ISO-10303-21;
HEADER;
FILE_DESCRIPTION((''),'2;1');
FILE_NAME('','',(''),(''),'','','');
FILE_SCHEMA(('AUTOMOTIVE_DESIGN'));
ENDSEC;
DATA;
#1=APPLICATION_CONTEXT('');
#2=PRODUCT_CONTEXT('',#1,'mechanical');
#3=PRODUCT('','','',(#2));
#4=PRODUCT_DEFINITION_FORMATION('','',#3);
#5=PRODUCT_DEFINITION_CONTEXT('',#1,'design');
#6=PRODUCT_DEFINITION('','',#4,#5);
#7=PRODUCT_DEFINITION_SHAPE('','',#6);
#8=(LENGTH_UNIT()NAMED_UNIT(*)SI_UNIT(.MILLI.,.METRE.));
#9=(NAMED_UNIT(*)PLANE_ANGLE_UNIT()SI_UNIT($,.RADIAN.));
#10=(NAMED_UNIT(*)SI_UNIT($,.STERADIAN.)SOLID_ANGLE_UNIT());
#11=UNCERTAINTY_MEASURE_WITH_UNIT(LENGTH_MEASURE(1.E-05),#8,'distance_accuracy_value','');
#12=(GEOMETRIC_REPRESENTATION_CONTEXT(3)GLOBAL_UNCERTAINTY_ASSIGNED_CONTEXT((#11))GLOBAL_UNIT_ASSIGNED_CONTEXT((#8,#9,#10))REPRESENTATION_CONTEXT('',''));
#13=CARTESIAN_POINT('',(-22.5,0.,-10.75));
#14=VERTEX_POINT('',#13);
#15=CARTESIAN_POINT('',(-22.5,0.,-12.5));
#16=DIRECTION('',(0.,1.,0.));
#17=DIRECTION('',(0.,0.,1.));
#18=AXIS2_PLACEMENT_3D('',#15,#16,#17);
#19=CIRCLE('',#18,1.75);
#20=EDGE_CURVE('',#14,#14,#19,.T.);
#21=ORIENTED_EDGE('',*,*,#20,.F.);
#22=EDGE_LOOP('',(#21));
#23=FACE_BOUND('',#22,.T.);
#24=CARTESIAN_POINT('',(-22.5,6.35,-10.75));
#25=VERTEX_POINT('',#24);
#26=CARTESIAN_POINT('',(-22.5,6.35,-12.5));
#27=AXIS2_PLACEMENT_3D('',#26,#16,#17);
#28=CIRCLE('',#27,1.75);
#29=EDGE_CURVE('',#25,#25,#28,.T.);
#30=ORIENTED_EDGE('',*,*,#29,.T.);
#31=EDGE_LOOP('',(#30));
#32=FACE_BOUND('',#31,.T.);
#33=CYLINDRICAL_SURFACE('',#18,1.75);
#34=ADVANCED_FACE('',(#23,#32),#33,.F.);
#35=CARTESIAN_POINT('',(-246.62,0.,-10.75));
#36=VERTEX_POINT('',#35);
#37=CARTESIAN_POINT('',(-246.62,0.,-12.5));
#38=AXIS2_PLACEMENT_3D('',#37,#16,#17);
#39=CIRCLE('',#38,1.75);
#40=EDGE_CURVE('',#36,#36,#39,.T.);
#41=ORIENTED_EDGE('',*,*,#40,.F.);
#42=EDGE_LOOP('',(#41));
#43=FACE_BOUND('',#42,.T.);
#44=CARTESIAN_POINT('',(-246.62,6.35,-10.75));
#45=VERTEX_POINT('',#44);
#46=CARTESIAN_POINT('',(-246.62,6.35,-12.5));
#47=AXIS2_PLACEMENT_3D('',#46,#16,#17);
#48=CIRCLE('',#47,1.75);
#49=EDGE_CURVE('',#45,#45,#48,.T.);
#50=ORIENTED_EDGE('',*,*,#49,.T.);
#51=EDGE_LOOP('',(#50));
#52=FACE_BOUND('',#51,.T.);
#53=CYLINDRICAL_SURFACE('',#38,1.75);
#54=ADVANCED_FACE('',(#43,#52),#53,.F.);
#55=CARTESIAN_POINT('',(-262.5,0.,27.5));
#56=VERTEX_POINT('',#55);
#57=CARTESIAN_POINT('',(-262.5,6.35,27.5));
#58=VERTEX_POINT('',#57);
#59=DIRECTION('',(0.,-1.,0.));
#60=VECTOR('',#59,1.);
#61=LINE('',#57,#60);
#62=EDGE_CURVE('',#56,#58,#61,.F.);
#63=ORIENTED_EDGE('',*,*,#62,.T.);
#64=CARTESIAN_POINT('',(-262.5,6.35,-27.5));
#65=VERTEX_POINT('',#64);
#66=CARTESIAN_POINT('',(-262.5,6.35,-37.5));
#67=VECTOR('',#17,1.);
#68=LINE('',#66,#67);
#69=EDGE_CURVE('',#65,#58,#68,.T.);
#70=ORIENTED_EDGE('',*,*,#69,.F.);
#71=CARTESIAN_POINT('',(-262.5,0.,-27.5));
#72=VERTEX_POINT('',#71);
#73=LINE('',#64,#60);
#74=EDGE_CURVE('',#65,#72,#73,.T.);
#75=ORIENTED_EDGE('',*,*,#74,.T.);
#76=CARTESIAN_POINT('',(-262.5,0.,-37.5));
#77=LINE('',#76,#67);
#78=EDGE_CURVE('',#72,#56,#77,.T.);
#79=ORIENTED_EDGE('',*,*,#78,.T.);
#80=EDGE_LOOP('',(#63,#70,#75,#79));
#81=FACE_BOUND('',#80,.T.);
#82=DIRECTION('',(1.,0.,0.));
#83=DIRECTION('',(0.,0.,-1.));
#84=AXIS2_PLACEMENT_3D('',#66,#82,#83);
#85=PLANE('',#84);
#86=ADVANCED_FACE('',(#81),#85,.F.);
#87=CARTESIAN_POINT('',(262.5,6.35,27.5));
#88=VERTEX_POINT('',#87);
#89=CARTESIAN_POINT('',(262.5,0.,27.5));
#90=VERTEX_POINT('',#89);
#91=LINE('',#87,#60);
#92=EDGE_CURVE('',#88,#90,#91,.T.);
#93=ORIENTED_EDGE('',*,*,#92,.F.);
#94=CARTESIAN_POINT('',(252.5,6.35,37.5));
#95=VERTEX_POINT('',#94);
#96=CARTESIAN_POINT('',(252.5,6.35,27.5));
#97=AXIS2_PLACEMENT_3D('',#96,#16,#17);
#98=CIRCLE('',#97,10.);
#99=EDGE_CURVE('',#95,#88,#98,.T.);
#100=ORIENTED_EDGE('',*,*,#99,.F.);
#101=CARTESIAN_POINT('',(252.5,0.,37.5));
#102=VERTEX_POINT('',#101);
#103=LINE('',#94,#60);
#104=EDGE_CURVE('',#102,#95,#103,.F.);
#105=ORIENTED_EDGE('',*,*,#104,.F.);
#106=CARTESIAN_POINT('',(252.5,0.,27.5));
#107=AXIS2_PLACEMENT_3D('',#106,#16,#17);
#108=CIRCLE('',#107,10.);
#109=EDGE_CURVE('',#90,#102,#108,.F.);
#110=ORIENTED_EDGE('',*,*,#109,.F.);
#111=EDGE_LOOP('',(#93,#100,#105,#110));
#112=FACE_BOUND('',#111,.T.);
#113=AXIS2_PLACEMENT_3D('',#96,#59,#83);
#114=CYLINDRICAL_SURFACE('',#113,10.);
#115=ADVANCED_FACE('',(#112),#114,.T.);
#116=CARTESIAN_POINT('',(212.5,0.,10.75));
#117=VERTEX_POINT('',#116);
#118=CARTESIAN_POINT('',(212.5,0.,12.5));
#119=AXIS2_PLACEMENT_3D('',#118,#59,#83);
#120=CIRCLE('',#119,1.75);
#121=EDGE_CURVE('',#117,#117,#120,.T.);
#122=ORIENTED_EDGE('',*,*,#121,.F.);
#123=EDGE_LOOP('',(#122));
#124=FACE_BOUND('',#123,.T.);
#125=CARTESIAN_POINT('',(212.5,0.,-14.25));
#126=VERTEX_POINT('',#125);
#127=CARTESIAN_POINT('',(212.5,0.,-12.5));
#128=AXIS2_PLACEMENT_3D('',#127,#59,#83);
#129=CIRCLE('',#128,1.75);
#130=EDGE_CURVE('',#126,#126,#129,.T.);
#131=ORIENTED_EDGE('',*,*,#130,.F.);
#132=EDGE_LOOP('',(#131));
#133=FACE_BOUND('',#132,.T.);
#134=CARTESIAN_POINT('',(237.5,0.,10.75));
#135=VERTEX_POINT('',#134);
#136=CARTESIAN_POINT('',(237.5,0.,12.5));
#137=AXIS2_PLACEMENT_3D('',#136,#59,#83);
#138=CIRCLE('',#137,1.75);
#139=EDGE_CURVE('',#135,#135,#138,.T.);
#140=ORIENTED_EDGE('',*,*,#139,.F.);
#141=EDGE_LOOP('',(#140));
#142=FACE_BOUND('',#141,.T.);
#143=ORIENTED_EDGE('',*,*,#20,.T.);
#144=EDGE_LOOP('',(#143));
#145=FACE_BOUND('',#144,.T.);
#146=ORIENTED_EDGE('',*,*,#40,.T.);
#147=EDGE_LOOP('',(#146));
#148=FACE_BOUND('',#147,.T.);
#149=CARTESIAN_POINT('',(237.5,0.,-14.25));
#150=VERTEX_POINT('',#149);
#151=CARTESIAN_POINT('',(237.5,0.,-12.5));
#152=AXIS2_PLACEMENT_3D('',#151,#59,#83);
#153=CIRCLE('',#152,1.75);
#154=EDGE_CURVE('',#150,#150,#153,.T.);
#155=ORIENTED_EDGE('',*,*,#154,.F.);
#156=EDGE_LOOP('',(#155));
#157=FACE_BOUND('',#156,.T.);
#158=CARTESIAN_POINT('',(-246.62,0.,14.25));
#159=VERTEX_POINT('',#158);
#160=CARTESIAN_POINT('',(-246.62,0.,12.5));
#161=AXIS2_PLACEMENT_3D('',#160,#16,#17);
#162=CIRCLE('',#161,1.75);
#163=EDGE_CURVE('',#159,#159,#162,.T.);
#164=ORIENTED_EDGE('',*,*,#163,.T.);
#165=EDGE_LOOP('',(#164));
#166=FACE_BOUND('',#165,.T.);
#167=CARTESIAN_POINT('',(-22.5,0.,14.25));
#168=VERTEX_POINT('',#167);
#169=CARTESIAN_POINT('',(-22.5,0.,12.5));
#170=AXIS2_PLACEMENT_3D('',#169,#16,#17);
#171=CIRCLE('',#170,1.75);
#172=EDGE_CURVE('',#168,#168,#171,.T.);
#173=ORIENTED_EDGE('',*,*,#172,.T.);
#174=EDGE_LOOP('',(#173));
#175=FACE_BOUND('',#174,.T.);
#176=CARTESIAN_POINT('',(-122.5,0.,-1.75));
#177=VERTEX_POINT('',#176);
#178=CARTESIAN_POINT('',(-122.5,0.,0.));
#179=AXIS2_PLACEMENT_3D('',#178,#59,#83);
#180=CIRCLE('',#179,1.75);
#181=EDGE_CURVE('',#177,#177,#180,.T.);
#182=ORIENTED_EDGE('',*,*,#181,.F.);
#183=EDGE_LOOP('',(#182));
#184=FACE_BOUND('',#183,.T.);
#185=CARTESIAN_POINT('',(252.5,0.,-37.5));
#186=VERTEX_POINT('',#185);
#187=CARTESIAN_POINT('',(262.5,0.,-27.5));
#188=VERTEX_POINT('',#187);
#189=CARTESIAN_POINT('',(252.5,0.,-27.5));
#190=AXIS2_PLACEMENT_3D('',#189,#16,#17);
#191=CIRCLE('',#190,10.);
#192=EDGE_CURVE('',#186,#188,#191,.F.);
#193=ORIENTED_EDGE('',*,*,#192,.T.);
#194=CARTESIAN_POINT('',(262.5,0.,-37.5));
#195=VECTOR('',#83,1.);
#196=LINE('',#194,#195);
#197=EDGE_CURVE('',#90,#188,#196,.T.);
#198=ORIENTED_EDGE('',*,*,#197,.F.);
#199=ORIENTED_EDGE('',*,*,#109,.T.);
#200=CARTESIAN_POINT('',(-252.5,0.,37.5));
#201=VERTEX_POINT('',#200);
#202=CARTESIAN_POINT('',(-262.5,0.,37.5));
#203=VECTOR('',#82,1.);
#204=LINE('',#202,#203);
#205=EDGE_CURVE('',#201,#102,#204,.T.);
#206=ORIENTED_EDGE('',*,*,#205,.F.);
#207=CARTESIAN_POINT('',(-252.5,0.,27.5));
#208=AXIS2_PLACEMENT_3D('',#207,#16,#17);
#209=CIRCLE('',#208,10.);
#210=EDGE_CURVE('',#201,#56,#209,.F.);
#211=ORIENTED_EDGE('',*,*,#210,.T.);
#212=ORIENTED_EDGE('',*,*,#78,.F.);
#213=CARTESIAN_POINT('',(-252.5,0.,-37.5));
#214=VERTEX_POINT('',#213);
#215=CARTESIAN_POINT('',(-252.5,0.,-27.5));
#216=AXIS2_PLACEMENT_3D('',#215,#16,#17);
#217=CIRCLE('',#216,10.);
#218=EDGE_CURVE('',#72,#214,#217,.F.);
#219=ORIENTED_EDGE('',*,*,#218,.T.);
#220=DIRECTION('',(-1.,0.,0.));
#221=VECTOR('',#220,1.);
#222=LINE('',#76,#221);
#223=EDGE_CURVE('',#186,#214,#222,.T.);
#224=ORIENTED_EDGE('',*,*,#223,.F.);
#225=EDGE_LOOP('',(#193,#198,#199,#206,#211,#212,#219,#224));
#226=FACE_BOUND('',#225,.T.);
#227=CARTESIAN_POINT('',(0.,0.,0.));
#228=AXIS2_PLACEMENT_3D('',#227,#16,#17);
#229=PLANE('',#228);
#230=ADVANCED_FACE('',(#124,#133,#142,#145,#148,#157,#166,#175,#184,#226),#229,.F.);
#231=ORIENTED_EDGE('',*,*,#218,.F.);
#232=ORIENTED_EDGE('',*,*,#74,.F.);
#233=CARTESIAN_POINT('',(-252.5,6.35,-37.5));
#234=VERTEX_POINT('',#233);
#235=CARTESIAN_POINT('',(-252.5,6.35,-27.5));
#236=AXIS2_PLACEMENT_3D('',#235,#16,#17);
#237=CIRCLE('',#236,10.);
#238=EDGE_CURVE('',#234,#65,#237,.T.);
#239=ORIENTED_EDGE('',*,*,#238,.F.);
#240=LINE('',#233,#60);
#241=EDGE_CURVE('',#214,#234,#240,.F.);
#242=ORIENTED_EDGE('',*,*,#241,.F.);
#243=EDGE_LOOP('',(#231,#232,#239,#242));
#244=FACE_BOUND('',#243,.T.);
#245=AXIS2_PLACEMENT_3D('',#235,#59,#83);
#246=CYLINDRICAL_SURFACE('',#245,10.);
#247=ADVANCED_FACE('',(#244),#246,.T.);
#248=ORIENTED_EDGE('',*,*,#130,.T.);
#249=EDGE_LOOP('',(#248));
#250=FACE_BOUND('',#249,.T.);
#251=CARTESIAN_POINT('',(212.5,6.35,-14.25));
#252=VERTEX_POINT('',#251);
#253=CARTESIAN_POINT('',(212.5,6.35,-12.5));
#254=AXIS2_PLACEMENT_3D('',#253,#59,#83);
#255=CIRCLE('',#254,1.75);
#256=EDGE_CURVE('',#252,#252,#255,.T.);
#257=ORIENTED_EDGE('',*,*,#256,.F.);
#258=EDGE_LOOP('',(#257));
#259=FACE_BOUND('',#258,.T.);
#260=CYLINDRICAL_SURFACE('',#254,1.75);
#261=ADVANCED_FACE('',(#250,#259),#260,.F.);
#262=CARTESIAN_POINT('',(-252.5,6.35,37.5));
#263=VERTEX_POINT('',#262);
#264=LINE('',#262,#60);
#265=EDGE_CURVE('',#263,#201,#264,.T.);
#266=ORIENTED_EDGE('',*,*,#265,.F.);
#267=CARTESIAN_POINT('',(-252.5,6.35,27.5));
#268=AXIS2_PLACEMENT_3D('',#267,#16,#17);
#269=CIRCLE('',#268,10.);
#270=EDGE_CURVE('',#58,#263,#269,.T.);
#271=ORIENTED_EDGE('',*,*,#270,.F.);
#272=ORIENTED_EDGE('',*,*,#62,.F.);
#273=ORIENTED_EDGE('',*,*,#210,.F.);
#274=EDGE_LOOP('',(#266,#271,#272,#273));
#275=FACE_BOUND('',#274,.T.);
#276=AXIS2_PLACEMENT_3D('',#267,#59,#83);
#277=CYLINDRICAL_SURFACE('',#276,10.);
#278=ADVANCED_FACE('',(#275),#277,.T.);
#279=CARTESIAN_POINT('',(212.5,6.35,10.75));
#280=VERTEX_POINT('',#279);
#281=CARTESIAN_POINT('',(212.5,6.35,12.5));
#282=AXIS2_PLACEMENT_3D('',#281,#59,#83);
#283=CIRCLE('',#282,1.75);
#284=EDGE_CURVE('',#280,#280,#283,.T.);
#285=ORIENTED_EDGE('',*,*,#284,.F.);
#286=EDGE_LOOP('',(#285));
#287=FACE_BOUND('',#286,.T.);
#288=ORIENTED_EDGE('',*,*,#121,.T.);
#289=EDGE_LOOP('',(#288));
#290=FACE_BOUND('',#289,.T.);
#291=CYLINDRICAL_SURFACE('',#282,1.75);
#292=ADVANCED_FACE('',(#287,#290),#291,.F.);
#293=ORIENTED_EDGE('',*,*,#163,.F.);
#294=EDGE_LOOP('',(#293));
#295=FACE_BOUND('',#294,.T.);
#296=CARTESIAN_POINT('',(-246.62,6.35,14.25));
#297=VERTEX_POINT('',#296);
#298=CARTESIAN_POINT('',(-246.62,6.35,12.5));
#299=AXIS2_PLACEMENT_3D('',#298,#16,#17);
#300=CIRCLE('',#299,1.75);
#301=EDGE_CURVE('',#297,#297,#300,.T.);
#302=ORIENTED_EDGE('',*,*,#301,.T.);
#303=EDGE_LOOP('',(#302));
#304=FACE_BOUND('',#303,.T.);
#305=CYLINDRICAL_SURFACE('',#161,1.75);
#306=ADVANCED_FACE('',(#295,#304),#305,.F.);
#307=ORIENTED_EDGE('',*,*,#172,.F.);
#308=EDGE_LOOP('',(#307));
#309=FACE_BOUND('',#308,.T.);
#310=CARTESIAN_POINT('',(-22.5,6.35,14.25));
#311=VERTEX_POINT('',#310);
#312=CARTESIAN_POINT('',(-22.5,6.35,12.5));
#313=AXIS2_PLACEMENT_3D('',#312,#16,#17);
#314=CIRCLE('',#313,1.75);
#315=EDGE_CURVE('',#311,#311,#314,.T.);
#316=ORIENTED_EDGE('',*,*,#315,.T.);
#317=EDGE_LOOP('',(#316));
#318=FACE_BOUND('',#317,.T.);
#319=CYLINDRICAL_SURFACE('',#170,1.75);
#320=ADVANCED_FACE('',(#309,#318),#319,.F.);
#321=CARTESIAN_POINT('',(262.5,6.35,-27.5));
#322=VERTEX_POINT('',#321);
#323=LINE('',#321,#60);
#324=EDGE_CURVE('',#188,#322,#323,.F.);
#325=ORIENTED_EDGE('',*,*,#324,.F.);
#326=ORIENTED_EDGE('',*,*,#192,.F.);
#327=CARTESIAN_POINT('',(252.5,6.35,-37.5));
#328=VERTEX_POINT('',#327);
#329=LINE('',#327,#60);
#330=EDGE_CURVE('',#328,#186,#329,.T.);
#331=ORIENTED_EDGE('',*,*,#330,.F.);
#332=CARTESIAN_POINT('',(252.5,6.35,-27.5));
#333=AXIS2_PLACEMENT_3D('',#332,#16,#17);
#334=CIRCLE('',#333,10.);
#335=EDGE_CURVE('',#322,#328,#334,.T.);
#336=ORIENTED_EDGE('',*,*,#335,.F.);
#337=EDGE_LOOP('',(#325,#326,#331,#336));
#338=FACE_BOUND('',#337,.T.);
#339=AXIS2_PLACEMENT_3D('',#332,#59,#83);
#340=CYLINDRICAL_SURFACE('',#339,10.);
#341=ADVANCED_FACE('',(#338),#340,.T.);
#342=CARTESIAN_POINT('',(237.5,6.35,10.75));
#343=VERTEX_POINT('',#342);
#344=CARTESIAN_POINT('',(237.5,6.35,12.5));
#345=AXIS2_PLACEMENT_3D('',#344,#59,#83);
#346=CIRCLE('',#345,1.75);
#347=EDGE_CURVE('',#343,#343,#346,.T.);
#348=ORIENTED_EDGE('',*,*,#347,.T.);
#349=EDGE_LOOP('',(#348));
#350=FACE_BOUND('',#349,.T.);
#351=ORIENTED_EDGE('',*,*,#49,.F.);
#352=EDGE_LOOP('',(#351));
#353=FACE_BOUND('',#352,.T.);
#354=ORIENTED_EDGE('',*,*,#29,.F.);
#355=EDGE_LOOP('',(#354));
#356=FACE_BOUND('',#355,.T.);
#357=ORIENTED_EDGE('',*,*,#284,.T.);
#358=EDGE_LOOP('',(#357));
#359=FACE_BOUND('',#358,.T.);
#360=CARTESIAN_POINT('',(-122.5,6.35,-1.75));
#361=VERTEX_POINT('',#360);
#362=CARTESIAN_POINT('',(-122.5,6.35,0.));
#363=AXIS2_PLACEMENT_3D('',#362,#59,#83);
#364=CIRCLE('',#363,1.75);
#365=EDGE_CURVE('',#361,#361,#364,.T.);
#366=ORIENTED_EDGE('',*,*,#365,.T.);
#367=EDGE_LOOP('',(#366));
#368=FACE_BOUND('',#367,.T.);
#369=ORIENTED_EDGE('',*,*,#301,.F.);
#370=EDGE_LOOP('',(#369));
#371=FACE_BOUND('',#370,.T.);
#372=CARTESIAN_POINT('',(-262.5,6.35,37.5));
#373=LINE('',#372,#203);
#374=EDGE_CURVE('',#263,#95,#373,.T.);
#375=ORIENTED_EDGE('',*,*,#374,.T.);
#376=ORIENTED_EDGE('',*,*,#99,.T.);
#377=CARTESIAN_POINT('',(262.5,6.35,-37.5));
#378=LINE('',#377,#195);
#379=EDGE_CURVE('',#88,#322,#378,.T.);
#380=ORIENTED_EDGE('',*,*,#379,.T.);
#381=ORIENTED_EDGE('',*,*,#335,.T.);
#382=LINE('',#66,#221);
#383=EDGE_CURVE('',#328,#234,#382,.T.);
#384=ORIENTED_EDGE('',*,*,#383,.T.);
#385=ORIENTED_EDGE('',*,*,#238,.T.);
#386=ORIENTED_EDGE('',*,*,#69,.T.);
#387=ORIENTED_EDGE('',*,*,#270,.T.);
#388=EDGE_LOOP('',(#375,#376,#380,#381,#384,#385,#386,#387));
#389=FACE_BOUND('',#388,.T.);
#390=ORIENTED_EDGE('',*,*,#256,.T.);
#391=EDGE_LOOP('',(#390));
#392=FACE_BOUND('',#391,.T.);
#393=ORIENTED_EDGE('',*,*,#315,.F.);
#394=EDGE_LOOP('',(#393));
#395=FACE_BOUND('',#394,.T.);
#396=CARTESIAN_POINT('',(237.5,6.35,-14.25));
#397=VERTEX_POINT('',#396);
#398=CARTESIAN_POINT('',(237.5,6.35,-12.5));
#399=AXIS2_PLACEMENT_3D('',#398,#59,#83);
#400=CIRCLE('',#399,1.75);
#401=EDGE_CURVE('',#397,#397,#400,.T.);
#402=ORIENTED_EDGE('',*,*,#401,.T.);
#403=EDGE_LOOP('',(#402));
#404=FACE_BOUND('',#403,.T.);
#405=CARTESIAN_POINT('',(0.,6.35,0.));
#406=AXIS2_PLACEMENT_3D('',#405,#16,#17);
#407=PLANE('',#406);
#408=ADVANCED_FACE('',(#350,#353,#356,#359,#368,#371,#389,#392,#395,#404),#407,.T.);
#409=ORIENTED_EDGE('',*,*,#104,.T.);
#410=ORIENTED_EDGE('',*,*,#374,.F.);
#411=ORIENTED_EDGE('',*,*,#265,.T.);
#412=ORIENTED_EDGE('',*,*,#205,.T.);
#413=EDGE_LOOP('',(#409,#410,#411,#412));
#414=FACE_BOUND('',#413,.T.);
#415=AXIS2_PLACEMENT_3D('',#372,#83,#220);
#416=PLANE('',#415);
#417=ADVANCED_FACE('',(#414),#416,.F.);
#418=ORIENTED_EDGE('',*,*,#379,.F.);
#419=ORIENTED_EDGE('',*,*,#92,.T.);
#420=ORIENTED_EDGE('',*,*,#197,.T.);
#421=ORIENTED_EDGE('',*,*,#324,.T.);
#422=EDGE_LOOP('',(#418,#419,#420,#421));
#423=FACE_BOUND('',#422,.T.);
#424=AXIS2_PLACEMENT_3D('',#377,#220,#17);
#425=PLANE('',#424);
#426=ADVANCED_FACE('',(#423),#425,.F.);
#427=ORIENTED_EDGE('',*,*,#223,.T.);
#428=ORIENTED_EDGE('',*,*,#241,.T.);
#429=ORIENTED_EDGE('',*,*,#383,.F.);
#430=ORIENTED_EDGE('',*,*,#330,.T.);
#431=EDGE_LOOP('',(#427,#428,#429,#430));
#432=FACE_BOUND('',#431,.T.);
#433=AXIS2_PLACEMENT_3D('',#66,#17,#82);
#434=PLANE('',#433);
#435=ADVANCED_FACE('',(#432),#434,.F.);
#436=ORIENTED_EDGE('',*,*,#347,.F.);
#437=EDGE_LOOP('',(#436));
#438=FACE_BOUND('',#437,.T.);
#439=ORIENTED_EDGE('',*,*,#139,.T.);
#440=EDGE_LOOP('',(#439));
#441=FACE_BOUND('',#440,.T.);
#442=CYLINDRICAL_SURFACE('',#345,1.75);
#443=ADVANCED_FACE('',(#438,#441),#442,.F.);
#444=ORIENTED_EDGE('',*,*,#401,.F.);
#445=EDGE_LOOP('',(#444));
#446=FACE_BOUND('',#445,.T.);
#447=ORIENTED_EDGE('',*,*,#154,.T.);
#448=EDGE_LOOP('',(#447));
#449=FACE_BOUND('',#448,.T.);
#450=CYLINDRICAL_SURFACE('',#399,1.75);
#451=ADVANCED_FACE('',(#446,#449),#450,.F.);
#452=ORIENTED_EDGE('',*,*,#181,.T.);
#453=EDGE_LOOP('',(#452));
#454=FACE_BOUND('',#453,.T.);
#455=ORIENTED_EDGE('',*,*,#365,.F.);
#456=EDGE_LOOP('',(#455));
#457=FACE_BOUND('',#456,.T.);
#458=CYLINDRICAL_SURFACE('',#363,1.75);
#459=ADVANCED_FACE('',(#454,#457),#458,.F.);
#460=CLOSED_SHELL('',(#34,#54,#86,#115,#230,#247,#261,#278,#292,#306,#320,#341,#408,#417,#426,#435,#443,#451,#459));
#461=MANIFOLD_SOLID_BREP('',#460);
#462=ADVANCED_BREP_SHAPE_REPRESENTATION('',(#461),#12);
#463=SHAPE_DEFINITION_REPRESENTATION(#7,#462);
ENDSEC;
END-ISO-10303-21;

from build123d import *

# Parameters (mm, degrees)
SKETCH12_W                = 525
SKETCH12_H                = 75
BOSS_EXTRUDE2_DEPTH       = 6.35
SKETCH13_R                = 1.75
CUT_EXTRUDE1_DEPTH        = 7.35
LPATTERN1_COUNT           = 2
LPATTERN1_PITCH           = 25
LPATTERN2_COUNT           = 2
LPATTERN2_PITCH           = 25
LPATTERN2_COPY_1_SKETCH_R = 1.75
LPATTERN2_COPY_1_DEPTH    = 7.35
SKETCH15_R                = 1.75
CUT_EXTRUDE2_DEPTH        = 7.35
FILLET1_R                 = 10
SKETCH17_R                = 1.75
CUT_EXTRUDE3_DEPTH        = 7.35
SKETCH18_R                = 1.75
CUT_EXTRUDE4_DEPTH        = 7.35


with BuildPart() as part:
    # Sketch12 → Boss-Extrude2 (new body)
    with BuildSketch(Plane(origin=(0, 0, 0), x_dir=(1, 0, 0), z_dir=(0, 1, 0))):
        Rectangle(SKETCH12_W, SKETCH12_H)
    extrude(amount=BOSS_EXTRUDE2_DEPTH)

    # Sketch13 → Cut-Extrude1 (cut, through all)
    with BuildSketch(Plane.XZ):
        with Locations((212.5, -12.5)):
            Circle(SKETCH13_R)
    cut_extrude1 = extrude(amount=-CUT_EXTRUDE1_DEPTH, mode=Mode.SUBTRACT)

    # LPattern1: Cut-Extrude1 ×2
    with Locations(*[(i * LPATTERN1_PITCH, 0, 0) for i in range(1, LPATTERN1_COUNT)]):
        add(cut_extrude1, mode=Mode.SUBTRACT)

    # LPattern2: Cut-Extrude1 ×2
    with Locations(*[(0, 0, i * LPATTERN2_PITCH) for i in range(1, LPATTERN2_COUNT)]):
        add(cut_extrude1, mode=Mode.SUBTRACT)

    # LPattern2 copy 1 sketch → LPattern2 copy 1 (cut, through all)
    with BuildSketch(Plane(origin=(25, 0, 25), x_dir=(1, 0, 0), z_dir=(0, -1, 0))):
        with Locations((212.5, -12.5)):
            Circle(LPATTERN2_COPY_1_SKETCH_R)
    extrude(amount=-LPATTERN2_COPY_1_DEPTH, mode=Mode.SUBTRACT)

    # Sketch15 → Cut-Extrude2 (cut, through all)
    with BuildSketch(Plane.XZ):
        with Locations((-122.5, 0)):
            Circle(SKETCH15_R)
    extrude(amount=-CUT_EXTRUDE2_DEPTH, mode=Mode.SUBTRACT)

    # Fillet1
    fillet1_edges = [part.edges().sort_by_distance(p)[0] for p in [
        (262.5, 3.175, 37.5),
        (-262.5, 3.175, 37.5),
        (-262.5, 3.175, -37.5),
        (262.5, 3.175, -37.5),
    ]]
    fillet(fillet1_edges, radius=FILLET1_R)

    # Sketch17 → Cut-Extrude3 (cut, through all)
    with BuildSketch(Plane(origin=(0, 6.35, 0), x_dir=(1, 0, 0), z_dir=(0, 1, 0))):
        with Locations((-22.5, 12.5)):
            Circle(SKETCH17_R)
        with Locations((-22.5, -12.5)):
            Circle(SKETCH17_R)
    extrude(amount=-CUT_EXTRUDE3_DEPTH, mode=Mode.SUBTRACT)

    # Sketch18 → Cut-Extrude4 (cut, through all)
    with BuildSketch(Plane(origin=(0, 6.35, 0), x_dir=(1, 0, 0), z_dir=(0, 1, 0))):
        with Locations((-246.62, 12.5)):
            Circle(SKETCH18_R)
        with Locations((-246.62, -12.5)):
            Circle(SKETCH18_R)
    extrude(amount=-CUT_EXTRUDE4_DEPTH, mode=Mode.SUBTRACT)


solid = part.part
